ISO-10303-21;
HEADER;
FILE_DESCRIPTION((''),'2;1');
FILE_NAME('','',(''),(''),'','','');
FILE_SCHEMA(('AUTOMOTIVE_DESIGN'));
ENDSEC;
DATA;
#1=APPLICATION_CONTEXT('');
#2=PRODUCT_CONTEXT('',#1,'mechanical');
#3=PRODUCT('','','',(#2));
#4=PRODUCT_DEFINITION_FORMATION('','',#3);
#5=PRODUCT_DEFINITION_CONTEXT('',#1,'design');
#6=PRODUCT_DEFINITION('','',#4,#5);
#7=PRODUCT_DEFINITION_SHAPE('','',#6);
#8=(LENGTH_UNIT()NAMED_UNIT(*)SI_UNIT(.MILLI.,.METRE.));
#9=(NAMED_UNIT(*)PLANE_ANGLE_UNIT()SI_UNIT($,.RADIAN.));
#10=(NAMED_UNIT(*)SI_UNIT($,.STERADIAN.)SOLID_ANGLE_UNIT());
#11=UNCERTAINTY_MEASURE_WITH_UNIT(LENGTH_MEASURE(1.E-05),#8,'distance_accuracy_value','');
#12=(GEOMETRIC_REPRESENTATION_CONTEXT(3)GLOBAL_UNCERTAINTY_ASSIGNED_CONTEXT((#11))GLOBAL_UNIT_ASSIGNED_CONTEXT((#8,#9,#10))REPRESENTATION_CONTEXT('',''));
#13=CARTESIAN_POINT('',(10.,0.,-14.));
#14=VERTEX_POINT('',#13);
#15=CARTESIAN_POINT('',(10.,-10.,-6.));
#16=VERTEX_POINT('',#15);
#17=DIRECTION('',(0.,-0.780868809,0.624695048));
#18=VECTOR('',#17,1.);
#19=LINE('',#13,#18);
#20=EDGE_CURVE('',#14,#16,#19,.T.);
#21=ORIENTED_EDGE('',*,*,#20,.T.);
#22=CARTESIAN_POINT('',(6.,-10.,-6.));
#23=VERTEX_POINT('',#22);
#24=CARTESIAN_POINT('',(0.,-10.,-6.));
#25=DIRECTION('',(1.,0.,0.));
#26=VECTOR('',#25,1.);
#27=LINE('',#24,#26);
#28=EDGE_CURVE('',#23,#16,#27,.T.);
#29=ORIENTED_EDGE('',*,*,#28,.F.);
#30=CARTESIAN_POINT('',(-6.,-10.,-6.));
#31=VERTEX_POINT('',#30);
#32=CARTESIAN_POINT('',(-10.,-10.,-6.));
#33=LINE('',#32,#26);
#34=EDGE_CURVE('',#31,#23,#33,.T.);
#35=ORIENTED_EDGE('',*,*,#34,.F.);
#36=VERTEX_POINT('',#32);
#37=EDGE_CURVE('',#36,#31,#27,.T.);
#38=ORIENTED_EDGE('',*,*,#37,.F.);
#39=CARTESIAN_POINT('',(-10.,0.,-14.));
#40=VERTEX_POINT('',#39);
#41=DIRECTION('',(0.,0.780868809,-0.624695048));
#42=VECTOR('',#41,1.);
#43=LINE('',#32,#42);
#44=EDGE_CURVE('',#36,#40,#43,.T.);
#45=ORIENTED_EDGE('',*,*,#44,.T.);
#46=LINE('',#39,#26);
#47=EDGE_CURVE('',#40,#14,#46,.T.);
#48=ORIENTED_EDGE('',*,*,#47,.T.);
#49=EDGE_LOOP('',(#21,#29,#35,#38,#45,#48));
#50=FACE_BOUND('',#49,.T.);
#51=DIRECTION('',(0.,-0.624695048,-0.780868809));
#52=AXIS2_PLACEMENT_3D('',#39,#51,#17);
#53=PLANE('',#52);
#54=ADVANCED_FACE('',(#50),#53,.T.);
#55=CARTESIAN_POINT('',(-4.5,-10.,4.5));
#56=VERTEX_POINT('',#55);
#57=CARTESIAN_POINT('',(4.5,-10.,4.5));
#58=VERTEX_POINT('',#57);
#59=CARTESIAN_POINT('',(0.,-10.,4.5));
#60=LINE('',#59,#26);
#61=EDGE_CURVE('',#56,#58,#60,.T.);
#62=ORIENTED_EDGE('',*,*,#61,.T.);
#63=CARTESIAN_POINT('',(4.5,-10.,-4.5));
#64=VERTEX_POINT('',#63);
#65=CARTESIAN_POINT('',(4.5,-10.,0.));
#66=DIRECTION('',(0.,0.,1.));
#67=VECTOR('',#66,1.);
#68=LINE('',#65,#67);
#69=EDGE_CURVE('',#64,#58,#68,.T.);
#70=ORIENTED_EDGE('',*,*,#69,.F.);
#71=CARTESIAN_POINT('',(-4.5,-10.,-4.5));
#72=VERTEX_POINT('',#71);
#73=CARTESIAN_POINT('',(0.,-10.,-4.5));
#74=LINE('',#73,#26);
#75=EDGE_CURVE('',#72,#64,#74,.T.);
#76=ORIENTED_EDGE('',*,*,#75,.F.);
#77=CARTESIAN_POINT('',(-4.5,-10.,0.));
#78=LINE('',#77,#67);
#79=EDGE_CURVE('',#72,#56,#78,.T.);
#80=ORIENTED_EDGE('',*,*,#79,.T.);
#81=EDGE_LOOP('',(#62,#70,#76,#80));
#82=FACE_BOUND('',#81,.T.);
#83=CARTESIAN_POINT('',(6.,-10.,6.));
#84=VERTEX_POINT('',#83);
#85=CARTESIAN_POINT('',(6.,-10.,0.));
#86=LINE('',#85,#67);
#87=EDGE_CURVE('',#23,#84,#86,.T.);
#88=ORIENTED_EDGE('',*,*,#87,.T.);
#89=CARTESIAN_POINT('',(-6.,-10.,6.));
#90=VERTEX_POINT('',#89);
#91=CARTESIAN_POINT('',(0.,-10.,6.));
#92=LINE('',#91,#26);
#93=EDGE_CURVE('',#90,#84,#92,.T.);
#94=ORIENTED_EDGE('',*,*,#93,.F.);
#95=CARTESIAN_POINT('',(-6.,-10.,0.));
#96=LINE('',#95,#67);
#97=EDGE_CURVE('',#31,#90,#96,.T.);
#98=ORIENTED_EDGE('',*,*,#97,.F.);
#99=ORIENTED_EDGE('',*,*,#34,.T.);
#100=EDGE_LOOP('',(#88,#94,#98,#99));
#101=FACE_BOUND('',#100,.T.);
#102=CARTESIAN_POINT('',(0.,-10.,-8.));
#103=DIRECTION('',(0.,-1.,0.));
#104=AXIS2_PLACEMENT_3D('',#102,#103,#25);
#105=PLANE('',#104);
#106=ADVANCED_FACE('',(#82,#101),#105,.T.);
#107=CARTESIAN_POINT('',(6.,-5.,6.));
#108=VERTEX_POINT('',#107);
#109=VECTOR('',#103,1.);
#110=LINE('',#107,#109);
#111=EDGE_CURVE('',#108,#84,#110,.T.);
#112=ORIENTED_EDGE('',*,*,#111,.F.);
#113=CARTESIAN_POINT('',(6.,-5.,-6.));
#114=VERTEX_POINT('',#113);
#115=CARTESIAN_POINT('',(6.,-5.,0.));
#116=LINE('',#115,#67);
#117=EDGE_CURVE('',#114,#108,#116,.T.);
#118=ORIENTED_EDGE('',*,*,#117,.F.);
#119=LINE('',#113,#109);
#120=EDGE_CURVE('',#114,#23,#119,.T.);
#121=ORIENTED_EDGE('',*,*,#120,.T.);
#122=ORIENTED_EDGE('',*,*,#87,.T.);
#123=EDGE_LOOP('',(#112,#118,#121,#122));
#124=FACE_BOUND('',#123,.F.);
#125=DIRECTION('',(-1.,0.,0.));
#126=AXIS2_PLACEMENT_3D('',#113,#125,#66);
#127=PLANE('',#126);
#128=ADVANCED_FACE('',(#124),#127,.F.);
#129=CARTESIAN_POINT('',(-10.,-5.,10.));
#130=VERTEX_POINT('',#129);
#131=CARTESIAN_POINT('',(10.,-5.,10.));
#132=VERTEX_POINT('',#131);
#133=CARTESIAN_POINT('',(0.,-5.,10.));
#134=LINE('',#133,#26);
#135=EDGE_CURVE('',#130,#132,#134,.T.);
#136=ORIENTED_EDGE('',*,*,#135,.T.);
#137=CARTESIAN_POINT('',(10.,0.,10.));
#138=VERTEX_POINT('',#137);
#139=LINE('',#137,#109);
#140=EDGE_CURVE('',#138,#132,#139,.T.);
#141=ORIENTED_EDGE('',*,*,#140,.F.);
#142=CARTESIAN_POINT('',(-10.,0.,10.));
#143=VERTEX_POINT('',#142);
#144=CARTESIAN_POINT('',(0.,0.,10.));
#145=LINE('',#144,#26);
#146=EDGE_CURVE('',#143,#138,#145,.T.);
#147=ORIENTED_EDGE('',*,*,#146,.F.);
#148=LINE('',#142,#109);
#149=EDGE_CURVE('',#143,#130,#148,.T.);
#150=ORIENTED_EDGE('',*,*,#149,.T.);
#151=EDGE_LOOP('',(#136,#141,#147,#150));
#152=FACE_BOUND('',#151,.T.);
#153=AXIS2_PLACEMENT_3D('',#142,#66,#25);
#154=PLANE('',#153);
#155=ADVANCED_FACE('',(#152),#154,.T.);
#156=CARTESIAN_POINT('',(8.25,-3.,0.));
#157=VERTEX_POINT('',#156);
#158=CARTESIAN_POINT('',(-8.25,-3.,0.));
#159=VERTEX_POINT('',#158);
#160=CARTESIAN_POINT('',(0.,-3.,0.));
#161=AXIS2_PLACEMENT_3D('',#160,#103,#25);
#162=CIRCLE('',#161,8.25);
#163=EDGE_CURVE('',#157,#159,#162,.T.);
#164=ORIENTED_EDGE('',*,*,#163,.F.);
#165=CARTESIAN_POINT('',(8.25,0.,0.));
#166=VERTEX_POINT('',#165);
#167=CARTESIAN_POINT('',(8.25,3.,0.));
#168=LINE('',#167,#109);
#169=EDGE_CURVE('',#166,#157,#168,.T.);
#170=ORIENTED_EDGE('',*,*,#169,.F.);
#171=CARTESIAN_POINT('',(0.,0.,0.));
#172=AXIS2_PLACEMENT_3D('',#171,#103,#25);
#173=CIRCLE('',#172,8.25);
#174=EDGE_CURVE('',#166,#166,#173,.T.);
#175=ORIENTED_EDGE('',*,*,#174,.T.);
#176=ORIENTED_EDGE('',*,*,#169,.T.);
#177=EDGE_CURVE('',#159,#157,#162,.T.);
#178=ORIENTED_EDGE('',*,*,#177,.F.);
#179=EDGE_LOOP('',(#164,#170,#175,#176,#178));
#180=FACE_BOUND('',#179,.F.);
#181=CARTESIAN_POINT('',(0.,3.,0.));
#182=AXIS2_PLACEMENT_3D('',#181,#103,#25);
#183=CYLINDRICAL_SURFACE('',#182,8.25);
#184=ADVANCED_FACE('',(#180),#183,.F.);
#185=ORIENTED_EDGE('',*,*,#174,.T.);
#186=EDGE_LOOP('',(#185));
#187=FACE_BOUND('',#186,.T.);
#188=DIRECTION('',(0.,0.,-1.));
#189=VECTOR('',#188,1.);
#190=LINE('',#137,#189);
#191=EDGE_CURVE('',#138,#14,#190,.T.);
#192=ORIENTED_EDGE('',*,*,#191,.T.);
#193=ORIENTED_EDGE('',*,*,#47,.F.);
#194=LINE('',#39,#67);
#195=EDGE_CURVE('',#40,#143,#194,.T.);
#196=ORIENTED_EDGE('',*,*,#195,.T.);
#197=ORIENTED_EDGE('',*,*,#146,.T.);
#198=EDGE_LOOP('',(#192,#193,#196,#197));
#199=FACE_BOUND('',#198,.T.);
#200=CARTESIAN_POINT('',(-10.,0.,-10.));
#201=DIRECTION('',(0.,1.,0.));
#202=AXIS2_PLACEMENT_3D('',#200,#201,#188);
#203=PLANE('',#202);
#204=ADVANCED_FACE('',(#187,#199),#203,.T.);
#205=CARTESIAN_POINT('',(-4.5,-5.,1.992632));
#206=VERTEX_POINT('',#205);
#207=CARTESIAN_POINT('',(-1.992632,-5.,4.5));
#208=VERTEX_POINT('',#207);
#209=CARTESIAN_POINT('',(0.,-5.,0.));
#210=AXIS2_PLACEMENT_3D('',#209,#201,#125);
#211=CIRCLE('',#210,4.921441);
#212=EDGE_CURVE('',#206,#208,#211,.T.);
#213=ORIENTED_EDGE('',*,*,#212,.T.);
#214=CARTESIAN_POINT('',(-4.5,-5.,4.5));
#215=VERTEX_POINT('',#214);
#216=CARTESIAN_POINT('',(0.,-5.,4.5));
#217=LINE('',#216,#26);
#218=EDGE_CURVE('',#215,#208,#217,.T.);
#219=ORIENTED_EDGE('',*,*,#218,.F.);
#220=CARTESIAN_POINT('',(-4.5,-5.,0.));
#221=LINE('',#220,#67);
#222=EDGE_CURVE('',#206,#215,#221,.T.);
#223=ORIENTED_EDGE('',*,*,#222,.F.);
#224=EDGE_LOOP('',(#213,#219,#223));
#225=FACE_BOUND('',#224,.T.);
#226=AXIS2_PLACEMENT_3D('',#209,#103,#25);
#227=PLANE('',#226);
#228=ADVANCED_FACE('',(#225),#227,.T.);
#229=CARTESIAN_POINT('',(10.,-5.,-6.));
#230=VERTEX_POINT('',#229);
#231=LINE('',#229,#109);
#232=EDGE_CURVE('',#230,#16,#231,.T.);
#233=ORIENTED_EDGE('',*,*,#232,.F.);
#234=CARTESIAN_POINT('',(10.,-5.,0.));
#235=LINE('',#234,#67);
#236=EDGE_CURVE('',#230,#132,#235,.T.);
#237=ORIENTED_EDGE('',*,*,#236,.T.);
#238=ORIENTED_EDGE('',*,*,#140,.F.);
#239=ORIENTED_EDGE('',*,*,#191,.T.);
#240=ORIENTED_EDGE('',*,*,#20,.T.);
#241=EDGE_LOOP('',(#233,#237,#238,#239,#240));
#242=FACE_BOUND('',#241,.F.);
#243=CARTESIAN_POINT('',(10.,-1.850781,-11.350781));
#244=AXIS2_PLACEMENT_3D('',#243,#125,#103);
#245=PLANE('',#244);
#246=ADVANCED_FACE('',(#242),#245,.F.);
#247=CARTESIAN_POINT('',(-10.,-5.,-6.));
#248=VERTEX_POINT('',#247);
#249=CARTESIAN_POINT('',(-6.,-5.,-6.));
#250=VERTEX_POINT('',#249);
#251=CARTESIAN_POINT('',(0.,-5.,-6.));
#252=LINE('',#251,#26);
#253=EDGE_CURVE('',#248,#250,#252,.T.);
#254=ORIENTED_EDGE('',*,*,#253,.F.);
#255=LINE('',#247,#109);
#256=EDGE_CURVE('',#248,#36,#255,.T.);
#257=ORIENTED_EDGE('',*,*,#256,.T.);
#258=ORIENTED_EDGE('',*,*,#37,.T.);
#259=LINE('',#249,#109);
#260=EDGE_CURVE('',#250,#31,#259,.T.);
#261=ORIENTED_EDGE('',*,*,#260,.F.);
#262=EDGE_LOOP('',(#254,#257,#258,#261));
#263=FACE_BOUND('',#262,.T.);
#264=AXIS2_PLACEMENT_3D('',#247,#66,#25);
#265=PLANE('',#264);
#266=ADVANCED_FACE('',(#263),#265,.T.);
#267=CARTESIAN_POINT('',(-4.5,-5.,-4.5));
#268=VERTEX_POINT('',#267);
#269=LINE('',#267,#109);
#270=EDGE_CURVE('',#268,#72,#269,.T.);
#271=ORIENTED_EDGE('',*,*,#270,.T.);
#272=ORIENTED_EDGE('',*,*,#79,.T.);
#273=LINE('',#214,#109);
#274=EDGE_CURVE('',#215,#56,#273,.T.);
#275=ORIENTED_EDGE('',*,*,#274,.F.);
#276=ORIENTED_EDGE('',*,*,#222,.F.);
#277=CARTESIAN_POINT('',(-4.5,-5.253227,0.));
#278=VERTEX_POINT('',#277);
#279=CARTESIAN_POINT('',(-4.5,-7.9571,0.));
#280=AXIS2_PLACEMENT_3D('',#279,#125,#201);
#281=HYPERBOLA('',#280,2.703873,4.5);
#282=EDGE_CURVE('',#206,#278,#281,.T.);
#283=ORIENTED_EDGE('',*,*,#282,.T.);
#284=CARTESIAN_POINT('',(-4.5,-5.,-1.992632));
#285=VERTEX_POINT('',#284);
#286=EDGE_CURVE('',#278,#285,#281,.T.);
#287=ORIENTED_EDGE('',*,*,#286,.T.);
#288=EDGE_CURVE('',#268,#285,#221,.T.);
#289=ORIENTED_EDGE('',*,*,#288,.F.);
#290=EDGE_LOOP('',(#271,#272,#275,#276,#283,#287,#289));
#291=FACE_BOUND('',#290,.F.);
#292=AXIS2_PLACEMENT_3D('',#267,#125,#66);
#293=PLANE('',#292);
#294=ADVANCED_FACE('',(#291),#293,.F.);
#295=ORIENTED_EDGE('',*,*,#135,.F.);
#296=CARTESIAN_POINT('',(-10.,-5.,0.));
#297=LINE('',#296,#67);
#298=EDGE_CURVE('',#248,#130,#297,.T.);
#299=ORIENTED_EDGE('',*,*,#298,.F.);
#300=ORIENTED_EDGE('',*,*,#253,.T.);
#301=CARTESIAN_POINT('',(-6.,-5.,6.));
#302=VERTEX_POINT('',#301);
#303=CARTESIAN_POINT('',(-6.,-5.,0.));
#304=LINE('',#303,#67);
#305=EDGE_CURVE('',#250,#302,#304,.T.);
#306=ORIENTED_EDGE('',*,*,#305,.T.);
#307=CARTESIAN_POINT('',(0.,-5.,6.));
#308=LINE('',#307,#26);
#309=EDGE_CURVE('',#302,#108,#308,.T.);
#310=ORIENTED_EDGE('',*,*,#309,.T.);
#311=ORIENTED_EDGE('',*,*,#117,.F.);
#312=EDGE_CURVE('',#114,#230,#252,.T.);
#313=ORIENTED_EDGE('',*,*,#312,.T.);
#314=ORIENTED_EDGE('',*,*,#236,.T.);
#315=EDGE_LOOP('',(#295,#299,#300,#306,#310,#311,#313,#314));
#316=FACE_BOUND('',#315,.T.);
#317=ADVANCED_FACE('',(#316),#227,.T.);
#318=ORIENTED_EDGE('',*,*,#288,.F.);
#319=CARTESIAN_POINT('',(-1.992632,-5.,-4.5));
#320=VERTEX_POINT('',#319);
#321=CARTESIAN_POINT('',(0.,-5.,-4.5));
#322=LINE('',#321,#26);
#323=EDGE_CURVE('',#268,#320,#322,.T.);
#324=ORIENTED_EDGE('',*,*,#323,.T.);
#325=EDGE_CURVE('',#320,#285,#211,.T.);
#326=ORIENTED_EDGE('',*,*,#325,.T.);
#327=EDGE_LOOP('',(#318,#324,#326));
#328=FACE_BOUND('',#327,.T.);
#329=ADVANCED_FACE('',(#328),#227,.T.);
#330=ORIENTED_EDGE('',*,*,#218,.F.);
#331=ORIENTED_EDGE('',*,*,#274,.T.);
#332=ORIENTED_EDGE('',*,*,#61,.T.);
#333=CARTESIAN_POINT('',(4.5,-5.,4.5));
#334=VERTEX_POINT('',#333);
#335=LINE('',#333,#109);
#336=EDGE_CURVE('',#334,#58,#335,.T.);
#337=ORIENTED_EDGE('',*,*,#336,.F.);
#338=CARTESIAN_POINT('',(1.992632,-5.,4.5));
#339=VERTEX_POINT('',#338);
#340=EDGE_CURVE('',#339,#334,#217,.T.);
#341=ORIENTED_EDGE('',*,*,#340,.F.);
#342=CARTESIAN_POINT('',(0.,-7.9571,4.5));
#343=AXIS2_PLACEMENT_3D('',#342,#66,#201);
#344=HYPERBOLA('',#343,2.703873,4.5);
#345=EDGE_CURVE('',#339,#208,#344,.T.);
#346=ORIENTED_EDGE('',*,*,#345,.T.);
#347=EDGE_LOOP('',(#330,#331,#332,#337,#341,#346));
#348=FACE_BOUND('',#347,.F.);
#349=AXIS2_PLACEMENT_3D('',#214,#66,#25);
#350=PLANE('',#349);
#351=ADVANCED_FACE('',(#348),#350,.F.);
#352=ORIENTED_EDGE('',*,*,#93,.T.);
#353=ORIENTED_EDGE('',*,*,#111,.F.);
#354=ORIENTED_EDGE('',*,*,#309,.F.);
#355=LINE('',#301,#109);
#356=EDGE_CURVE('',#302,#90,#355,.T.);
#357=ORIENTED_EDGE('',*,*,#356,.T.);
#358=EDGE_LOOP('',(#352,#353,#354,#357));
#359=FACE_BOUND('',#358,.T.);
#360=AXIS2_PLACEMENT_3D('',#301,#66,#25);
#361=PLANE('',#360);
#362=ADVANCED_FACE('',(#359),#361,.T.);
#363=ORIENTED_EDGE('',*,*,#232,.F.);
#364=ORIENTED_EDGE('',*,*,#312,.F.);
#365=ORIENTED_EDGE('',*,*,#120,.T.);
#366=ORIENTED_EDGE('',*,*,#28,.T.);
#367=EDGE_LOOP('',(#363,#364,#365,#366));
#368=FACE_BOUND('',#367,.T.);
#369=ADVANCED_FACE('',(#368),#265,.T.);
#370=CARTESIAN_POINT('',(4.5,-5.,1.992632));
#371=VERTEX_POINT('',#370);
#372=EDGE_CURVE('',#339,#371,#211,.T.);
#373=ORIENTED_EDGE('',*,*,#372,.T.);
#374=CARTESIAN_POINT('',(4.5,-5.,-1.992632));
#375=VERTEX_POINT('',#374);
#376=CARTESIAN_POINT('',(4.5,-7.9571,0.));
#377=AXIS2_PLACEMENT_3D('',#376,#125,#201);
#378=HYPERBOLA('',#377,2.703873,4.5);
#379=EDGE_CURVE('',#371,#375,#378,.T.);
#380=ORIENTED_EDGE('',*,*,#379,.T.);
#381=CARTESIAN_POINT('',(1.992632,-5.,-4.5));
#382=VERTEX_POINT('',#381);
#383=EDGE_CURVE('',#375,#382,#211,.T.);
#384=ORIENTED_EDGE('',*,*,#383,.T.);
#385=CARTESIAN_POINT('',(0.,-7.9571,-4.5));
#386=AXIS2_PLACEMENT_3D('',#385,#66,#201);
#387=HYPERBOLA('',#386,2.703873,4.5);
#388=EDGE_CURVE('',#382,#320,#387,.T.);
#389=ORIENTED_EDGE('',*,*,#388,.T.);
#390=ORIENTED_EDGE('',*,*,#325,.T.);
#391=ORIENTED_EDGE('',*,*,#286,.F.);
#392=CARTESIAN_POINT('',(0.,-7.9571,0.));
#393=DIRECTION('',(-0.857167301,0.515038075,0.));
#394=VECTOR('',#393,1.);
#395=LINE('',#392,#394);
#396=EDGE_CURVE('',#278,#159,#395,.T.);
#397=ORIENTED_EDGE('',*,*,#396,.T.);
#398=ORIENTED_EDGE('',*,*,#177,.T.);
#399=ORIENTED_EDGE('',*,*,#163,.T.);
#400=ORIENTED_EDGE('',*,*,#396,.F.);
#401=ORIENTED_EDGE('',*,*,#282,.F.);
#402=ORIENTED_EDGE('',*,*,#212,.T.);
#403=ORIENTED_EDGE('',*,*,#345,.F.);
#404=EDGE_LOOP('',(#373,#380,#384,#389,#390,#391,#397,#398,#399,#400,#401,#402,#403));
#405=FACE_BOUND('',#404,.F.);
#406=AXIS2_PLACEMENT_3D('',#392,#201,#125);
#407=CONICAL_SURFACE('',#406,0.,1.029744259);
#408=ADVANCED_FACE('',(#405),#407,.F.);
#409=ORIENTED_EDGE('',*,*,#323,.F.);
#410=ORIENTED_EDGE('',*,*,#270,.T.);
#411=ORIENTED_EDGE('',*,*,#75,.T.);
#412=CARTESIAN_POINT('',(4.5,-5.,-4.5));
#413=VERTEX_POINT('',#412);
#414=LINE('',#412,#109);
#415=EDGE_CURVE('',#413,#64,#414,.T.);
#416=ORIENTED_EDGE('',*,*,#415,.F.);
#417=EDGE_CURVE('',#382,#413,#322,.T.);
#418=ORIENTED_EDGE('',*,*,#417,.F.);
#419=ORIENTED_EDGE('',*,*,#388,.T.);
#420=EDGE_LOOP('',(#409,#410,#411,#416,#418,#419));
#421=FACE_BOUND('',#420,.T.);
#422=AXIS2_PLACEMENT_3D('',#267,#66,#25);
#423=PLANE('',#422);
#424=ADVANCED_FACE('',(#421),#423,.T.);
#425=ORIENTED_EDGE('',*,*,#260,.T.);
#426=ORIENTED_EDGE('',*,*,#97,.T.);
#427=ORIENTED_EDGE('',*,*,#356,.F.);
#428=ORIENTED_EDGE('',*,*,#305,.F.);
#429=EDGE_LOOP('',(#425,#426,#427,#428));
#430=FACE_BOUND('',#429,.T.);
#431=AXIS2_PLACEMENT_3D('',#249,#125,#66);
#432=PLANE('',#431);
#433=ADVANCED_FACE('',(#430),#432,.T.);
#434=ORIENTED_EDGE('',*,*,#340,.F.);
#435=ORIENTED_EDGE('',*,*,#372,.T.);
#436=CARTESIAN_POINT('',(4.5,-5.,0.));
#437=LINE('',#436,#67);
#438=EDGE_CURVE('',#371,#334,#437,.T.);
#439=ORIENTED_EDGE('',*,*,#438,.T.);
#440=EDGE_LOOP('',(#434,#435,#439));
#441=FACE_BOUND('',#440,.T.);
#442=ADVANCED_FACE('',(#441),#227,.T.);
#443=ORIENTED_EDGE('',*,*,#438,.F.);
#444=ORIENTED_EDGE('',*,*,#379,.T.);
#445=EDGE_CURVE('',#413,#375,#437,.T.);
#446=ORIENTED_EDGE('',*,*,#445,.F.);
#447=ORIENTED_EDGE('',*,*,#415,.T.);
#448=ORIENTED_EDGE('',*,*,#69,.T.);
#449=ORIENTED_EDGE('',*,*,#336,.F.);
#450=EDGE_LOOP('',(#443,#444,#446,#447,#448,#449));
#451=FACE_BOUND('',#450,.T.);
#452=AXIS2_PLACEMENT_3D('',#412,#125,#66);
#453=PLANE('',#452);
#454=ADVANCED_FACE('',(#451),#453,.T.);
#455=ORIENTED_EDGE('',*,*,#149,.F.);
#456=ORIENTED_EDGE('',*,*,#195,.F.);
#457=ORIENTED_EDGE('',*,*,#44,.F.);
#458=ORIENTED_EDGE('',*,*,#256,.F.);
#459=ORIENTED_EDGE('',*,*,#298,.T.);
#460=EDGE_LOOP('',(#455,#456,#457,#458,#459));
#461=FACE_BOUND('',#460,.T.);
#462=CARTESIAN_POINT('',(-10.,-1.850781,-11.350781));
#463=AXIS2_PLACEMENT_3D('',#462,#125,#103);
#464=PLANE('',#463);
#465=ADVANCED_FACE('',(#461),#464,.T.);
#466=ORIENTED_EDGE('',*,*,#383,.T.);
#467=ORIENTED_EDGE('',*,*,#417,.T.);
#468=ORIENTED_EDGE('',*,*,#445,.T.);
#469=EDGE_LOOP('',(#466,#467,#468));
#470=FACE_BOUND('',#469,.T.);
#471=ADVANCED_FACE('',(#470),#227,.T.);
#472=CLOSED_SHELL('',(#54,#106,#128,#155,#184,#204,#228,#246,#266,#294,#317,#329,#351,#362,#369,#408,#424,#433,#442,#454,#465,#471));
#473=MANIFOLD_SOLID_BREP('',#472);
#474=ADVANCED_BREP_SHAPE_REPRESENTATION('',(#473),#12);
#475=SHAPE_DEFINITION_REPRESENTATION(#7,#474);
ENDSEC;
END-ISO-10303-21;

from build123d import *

# Parameters (mm, degrees)
F0_W      = 20
F0_H      = 20
F1_DEPTH  = 5
F2_W      = 12
F2_H      = 12
F2_W_2    = 9
F2_H_2    = 9
F3_DEPTH  = 5
F5_D      = 16.5
F5_DEPTH  = 3
F5_TIP    = 4.957100107
F6_W      = 20
F6_H      = 4
F7_DEPTH  = 5
F9_DEPTH  = 20.001
F11_DEPTH = 20


with BuildPart() as f1:
    # F0 (on Front) → F1 (new body)
    with BuildSketch(Plane.XZ):
        Rectangle(F0_W, F0_H)
    extrude(amount=F1_DEPTH)

    # F2 (on face) → F3 (join)
    with BuildSketch(Plane.XZ.offset(5)):
        Rectangle(F2_W, F2_H)
        Rectangle(F2_W_2, F2_H_2, mode=Mode.SUBTRACT)
    extrude(amount=F3_DEPTH)

    # F5
    with Locations(Plane(origin=(0, 0, 0), x_dir=(-1, 0, 0), z_dir=(0, 1, 0))):
        with Locations((0, 0)):
            Hole(F5_D / 2, depth=F5_DEPTH)
            with Locations((0, 0, -(F5_DEPTH + F5_TIP / 2))):  # 118° drill point
                Cone(0, F5_D / 2, F5_TIP, mode=Mode.SUBTRACT)

    # F6 (on face) → F7 (join)
    with BuildSketch(Plane.XZ.offset(5)):
        with Locations((0, -8)):
            Rectangle(F6_W, F6_H)
    extrude(amount=F7_DEPTH)

    # F8 (on face) → F9 (cut, through all)
    with BuildSketch(Plane(origin=(-10, 0, 0), x_dir=(0, -1, 0), z_dir=(-1, 0, 0))):
        Polygon((10, -6), (5, -10), (10, -10), align=None)
    extrude(amount=-F9_DEPTH, mode=Mode.SUBTRACT)

    # F10 (on face) → F11 (join)
    with BuildSketch(Plane(origin=(-10, 0, 0), x_dir=(0, -1, 0), z_dir=(-1, 0, 0))):
        Polygon((0, -14), (5, -10), (0, -10), align=None)
    extrude(amount=-F11_DEPTH)


solid = f1.part
